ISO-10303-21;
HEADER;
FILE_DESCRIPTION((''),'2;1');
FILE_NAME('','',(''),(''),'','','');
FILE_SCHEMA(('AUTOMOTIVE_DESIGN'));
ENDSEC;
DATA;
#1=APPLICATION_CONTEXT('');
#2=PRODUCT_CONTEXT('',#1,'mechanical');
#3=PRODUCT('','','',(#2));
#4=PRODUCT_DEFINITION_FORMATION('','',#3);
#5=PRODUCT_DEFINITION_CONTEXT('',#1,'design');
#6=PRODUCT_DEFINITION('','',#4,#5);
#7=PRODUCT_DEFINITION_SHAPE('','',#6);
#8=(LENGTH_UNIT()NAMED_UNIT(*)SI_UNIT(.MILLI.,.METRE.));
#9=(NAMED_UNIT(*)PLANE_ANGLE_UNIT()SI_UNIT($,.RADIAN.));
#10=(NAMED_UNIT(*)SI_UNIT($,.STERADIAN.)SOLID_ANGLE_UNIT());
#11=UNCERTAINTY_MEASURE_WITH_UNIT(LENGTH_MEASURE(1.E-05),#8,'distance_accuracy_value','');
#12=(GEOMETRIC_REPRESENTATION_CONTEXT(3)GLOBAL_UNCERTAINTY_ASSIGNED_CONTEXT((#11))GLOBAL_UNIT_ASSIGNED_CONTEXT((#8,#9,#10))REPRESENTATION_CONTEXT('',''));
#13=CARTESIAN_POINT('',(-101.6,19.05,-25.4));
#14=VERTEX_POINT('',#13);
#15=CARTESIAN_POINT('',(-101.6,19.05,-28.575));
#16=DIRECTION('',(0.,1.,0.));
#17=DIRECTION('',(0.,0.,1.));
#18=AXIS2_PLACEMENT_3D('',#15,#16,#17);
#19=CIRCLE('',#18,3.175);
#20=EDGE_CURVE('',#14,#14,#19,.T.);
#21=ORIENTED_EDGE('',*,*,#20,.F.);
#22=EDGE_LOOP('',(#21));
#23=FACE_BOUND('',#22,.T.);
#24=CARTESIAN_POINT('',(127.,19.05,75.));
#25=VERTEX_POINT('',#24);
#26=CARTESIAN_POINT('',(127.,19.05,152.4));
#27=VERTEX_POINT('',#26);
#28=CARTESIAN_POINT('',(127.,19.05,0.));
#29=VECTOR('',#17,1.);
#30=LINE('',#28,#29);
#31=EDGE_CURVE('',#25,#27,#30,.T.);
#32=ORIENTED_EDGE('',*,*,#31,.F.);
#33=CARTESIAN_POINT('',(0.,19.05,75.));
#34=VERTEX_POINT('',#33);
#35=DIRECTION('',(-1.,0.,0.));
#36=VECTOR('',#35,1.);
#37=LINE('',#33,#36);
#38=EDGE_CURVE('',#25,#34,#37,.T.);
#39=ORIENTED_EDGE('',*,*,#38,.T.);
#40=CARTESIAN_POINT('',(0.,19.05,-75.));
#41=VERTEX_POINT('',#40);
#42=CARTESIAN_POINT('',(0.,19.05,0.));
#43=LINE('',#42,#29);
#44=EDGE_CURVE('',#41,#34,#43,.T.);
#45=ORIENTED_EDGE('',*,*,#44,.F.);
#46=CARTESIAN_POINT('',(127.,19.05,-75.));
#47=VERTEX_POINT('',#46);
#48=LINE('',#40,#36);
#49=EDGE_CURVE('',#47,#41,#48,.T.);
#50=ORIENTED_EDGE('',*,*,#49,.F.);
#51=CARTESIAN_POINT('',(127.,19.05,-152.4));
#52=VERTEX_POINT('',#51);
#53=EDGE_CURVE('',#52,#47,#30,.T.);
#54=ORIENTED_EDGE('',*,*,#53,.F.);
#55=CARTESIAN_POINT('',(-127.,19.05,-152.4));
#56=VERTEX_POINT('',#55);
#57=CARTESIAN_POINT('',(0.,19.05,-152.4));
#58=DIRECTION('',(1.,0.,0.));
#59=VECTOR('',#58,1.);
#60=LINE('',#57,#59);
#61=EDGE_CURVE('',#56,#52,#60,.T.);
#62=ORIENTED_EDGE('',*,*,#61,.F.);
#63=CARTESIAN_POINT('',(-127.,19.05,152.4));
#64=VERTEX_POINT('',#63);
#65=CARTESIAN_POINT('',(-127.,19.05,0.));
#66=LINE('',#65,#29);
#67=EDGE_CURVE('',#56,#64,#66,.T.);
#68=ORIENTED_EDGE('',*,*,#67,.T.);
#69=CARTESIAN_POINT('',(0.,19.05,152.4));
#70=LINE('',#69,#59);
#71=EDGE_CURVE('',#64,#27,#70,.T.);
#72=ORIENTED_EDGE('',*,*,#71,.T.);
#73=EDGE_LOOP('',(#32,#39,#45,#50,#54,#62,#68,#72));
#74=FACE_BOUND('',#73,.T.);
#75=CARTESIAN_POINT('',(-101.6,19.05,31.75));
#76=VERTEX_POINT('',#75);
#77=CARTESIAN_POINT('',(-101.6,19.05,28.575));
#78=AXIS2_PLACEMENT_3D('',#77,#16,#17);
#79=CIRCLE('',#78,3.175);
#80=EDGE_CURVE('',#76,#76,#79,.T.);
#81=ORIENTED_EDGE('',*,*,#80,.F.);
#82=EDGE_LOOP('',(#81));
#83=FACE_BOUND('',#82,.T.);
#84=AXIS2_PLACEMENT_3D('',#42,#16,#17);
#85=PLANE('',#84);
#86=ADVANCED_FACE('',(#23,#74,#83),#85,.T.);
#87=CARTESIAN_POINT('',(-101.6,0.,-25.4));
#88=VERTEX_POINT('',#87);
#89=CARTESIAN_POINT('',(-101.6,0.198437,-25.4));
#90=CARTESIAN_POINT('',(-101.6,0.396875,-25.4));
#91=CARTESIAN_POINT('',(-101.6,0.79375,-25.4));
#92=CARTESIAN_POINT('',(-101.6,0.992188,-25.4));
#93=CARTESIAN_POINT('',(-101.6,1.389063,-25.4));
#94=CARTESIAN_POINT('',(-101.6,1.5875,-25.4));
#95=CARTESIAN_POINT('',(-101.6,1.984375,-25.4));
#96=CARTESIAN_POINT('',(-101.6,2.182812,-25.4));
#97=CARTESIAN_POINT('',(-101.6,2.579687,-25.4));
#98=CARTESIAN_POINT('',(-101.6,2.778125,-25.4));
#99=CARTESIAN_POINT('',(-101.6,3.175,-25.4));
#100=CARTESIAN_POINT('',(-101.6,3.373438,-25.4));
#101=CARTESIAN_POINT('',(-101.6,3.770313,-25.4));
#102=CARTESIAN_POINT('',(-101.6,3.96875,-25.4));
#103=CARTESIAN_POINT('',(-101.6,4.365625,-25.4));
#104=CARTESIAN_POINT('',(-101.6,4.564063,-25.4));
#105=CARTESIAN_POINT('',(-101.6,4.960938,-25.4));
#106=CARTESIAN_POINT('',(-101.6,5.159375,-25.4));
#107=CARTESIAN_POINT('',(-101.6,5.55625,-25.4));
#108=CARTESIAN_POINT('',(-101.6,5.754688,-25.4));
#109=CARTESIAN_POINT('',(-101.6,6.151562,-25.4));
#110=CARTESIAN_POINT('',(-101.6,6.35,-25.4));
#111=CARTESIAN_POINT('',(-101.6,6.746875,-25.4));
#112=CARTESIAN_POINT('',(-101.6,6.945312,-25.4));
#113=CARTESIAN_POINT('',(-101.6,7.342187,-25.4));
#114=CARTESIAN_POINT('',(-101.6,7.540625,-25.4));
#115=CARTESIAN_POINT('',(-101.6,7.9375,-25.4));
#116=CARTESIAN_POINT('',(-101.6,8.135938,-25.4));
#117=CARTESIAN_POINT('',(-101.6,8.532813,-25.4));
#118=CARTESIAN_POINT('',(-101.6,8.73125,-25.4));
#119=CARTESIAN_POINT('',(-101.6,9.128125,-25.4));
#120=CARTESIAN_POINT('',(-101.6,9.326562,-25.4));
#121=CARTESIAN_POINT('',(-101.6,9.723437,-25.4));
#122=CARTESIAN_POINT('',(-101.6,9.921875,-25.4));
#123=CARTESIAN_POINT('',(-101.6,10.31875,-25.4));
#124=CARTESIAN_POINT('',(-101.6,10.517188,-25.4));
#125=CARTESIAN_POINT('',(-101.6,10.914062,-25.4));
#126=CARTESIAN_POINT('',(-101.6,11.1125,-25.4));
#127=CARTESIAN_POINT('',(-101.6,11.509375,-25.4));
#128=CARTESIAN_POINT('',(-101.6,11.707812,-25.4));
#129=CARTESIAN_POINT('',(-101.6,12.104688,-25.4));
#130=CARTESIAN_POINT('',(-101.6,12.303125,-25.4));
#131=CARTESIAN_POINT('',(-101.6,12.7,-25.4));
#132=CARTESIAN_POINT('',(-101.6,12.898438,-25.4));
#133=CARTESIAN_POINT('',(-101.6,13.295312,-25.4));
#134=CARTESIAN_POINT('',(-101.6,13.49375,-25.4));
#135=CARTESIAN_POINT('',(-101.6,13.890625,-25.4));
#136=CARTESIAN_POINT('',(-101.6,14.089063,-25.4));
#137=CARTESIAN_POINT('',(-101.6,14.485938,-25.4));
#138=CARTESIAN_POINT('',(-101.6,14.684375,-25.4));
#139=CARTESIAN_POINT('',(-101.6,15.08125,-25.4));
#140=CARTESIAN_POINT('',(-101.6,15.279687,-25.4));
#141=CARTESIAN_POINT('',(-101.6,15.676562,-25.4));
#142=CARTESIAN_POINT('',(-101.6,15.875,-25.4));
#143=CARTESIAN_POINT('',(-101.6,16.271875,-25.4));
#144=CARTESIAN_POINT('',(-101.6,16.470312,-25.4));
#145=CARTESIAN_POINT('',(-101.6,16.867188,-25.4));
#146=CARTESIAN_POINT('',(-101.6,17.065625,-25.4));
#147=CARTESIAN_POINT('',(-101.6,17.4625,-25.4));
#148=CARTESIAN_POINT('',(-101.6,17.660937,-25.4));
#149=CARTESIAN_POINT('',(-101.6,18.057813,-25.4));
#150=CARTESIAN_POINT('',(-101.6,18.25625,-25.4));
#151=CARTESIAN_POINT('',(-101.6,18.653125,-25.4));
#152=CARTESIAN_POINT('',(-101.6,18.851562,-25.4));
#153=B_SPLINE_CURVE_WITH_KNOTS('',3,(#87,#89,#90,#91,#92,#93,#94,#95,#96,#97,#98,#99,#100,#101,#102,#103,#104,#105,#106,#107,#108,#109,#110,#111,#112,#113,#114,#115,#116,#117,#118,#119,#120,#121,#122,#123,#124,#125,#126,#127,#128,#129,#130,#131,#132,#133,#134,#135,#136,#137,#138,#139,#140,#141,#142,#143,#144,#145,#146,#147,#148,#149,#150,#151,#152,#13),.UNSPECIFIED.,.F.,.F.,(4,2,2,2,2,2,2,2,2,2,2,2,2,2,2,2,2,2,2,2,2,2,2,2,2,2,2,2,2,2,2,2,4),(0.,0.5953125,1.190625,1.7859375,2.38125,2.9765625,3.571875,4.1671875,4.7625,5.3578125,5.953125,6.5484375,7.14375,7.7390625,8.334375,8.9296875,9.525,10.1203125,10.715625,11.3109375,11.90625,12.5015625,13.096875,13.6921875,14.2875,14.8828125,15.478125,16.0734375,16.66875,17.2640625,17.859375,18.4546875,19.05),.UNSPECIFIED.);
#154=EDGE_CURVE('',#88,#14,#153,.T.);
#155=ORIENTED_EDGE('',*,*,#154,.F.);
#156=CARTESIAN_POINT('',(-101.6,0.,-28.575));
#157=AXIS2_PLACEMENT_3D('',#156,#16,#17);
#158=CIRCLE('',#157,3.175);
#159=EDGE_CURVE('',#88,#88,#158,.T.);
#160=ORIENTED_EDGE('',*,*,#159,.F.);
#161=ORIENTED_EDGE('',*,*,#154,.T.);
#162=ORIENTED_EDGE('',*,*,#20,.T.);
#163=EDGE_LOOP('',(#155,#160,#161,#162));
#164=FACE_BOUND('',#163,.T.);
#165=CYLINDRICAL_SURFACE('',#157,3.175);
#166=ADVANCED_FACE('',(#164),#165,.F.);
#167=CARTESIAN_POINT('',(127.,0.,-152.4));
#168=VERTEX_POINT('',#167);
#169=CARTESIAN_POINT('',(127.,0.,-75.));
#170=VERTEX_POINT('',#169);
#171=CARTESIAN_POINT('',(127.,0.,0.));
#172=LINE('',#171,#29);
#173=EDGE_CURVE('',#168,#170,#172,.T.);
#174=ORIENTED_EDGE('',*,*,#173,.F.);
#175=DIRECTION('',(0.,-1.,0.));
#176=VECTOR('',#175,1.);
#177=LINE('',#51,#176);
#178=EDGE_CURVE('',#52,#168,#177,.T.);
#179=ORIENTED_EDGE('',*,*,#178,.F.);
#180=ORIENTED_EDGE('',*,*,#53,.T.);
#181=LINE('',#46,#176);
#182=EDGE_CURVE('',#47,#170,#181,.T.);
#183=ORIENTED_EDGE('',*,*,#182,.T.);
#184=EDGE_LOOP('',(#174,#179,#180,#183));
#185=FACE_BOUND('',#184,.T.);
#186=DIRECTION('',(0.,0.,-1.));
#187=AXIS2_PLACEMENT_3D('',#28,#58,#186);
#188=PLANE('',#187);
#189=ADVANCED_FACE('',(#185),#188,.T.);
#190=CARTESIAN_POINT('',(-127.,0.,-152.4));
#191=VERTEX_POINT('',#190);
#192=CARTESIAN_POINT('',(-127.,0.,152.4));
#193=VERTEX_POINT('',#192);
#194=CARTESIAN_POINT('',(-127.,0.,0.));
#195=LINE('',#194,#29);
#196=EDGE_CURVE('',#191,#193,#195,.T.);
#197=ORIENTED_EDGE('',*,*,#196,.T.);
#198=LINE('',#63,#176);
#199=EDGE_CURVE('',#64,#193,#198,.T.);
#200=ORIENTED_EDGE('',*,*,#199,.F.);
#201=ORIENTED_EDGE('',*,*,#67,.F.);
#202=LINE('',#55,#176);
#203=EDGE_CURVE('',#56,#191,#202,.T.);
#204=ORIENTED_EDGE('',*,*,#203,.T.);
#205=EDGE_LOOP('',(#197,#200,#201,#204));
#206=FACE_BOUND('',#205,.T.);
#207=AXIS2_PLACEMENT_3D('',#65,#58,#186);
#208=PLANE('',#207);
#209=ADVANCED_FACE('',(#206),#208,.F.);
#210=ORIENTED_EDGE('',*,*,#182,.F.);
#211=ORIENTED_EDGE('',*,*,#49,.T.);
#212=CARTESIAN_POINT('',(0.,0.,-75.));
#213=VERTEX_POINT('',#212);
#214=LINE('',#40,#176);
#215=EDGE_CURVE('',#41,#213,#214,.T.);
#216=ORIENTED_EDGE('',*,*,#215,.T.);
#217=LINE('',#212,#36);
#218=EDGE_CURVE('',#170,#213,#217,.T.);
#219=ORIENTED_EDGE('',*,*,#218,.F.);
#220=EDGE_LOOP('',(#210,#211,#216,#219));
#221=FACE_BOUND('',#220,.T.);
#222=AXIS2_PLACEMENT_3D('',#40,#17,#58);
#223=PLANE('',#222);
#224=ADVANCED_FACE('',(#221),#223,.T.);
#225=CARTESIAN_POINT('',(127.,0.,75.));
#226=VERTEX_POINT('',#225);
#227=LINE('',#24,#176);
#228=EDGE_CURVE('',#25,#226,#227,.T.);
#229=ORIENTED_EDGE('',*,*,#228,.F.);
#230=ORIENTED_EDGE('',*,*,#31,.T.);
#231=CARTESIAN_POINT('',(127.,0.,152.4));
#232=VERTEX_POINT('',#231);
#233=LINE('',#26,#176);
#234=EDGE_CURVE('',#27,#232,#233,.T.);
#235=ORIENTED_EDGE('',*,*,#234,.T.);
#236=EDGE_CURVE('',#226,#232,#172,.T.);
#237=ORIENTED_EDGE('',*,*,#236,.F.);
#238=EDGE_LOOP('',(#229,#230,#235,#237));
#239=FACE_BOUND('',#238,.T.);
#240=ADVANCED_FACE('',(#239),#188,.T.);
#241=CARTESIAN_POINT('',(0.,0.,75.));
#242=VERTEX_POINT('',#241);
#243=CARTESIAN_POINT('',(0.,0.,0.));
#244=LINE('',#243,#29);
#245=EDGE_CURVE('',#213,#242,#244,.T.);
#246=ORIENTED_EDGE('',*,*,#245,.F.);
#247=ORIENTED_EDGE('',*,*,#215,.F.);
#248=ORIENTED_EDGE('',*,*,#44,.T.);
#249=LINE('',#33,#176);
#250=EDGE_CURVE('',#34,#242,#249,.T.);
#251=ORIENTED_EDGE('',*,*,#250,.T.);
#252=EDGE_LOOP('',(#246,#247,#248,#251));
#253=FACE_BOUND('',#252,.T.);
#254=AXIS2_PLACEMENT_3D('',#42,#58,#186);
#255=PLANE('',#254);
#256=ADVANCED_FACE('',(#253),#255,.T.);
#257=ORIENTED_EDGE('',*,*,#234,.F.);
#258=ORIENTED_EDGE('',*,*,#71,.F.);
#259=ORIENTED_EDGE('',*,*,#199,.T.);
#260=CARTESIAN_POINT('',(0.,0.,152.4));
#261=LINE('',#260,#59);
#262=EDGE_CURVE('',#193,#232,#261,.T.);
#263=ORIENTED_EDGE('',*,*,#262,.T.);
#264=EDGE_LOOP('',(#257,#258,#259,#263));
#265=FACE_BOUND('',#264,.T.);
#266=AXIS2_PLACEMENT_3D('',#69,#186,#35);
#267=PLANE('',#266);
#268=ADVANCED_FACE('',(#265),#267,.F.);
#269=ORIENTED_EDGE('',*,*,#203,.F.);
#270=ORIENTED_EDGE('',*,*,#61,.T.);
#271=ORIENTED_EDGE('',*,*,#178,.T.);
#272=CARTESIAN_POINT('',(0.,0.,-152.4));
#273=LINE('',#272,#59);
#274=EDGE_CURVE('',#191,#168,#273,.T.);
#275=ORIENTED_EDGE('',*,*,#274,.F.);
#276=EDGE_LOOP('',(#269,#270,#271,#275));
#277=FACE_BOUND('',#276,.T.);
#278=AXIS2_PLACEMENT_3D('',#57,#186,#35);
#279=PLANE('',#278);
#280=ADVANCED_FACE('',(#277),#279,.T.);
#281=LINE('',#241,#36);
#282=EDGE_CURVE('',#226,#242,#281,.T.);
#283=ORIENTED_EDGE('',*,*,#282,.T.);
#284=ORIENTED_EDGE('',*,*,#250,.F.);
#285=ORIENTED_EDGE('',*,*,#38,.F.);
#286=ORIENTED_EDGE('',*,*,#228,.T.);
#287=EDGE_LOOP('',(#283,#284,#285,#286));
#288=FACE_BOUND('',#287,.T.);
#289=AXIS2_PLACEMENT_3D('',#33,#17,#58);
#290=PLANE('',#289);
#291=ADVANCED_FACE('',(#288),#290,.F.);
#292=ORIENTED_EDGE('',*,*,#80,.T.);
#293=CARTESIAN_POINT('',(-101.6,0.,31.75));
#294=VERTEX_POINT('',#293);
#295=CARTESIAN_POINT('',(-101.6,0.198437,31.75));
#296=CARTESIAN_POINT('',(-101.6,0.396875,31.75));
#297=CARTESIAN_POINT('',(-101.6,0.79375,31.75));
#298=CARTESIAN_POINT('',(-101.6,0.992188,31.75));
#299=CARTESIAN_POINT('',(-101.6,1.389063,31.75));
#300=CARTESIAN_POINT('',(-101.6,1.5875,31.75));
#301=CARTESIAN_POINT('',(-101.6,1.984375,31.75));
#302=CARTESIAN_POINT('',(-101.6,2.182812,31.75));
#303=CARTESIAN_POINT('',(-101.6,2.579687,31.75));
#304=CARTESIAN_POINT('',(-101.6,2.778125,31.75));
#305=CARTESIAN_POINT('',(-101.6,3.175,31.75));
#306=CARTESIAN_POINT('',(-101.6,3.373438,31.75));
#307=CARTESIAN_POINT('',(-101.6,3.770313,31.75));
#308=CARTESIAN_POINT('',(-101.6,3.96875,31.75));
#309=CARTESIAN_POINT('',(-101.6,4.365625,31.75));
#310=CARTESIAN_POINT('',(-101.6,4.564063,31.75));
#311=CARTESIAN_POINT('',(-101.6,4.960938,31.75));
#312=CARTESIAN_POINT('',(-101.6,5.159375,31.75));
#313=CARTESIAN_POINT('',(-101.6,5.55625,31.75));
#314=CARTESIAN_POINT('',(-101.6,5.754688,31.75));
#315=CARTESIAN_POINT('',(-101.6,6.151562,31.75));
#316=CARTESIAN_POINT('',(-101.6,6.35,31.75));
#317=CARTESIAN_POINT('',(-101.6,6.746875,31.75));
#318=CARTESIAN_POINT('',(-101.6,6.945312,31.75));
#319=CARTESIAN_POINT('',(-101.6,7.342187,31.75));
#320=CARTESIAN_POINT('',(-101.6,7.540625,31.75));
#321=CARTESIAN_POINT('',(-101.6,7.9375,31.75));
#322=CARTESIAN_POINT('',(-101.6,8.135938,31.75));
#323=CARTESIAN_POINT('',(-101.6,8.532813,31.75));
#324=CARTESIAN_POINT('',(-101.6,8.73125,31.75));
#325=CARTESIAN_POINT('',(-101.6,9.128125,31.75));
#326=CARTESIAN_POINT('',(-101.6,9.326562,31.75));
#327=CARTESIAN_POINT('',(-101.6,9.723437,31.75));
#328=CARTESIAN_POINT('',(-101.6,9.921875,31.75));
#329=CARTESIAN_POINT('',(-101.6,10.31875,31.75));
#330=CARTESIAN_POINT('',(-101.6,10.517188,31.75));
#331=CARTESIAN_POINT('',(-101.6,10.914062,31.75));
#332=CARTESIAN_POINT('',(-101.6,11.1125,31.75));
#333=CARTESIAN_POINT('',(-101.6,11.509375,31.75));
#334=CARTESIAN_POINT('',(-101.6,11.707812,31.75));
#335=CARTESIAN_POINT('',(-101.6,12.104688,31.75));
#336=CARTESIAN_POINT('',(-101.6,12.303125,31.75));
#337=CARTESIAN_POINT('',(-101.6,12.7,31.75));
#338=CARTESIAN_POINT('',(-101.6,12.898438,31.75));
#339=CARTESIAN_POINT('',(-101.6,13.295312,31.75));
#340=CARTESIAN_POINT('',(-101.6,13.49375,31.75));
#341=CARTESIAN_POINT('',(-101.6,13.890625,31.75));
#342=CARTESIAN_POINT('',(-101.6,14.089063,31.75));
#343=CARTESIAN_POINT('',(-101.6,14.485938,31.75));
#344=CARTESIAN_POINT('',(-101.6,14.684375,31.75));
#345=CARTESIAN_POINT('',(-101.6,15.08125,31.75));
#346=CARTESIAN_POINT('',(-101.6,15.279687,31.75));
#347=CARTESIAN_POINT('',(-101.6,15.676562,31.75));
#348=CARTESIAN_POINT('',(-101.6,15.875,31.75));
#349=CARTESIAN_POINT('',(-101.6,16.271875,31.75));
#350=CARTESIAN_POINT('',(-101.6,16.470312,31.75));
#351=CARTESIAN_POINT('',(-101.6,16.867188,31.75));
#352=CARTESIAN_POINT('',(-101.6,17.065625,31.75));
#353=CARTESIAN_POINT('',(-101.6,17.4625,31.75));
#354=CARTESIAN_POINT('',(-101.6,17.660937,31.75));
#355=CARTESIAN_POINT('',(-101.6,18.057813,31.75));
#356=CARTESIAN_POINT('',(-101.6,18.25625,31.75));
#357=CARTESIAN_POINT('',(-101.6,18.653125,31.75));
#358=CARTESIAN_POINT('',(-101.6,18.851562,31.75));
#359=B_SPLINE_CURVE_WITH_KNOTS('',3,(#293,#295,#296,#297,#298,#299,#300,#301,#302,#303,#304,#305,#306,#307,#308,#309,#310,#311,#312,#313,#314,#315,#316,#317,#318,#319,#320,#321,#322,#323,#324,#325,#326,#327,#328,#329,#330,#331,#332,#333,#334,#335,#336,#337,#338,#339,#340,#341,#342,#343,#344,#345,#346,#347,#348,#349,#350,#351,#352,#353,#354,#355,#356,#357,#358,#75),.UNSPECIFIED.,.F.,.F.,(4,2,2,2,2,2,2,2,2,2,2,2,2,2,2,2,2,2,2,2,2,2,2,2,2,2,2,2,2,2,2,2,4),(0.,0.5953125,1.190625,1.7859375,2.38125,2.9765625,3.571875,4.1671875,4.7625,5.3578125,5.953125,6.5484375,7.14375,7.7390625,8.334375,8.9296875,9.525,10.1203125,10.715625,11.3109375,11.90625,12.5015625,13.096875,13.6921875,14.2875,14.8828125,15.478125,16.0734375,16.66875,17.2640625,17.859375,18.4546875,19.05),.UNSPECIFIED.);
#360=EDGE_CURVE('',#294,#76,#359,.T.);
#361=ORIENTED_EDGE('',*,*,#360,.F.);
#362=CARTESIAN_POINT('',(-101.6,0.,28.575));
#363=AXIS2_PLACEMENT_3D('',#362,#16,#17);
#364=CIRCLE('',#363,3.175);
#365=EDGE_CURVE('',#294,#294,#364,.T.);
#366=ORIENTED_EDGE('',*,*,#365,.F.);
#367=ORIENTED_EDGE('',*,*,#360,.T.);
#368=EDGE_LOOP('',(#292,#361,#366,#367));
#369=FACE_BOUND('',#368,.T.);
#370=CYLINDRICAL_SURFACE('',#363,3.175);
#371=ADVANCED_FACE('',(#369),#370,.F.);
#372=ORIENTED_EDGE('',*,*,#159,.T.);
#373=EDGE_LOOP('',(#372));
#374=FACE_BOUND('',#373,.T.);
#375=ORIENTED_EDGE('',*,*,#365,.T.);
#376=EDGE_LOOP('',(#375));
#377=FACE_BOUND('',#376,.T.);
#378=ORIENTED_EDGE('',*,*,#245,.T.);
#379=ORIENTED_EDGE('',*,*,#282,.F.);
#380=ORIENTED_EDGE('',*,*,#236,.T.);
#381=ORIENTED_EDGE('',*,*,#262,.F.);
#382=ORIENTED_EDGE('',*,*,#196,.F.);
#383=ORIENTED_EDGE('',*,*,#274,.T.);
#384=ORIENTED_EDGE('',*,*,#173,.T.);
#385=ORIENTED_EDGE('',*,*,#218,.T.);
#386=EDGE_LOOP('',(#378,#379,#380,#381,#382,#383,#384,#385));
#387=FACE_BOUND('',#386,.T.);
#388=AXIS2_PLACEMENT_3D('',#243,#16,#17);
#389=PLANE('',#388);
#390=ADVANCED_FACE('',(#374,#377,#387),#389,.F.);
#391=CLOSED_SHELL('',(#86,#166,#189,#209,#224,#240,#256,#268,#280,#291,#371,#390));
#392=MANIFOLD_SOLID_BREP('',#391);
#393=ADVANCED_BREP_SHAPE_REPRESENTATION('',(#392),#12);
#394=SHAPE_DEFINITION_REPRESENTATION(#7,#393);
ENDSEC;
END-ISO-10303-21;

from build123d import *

# Parameters (mm, degrees)
BOSS_EXTRUDE2_DEPTH = 19.05
SKETCH3_R           = 3.175
CUT_EXTRUDE1_DEPTH  = 200.292906296


with BuildPart() as part:
    # Sketch1 → Boss-Extrude2 (new body)
    with BuildSketch(Plane(origin=(0, 0, 0), x_dir=(1, 0, 0), z_dir=(0, 1, 0))):
        Polygon((127, 152.4), (-127, 152.4), (-127, -152.4), (127, -152.4), (127, -75), (0, -75), (0, 75), (127, 75), align=None)
    extrude(amount=BOSS_EXTRUDE2_DEPTH)

    # Sketch3 → Cut-Extrude1 (cut, through all)
    with BuildSketch(Plane(origin=(0, 19.05, 0), x_dir=(1, 0, 0), z_dir=(0, 1, 0))):
        with Locations(Location((-101.6, 28.575, 0), (0, 0, 270))):
            Circle(SKETCH3_R)
        with Locations(Location((-101.6, -28.575, 0), (0, 0, 270))):
            Circle(SKETCH3_R)
    extrude(amount=-CUT_EXTRUDE1_DEPTH, mode=Mode.SUBTRACT)


solid = part.part
